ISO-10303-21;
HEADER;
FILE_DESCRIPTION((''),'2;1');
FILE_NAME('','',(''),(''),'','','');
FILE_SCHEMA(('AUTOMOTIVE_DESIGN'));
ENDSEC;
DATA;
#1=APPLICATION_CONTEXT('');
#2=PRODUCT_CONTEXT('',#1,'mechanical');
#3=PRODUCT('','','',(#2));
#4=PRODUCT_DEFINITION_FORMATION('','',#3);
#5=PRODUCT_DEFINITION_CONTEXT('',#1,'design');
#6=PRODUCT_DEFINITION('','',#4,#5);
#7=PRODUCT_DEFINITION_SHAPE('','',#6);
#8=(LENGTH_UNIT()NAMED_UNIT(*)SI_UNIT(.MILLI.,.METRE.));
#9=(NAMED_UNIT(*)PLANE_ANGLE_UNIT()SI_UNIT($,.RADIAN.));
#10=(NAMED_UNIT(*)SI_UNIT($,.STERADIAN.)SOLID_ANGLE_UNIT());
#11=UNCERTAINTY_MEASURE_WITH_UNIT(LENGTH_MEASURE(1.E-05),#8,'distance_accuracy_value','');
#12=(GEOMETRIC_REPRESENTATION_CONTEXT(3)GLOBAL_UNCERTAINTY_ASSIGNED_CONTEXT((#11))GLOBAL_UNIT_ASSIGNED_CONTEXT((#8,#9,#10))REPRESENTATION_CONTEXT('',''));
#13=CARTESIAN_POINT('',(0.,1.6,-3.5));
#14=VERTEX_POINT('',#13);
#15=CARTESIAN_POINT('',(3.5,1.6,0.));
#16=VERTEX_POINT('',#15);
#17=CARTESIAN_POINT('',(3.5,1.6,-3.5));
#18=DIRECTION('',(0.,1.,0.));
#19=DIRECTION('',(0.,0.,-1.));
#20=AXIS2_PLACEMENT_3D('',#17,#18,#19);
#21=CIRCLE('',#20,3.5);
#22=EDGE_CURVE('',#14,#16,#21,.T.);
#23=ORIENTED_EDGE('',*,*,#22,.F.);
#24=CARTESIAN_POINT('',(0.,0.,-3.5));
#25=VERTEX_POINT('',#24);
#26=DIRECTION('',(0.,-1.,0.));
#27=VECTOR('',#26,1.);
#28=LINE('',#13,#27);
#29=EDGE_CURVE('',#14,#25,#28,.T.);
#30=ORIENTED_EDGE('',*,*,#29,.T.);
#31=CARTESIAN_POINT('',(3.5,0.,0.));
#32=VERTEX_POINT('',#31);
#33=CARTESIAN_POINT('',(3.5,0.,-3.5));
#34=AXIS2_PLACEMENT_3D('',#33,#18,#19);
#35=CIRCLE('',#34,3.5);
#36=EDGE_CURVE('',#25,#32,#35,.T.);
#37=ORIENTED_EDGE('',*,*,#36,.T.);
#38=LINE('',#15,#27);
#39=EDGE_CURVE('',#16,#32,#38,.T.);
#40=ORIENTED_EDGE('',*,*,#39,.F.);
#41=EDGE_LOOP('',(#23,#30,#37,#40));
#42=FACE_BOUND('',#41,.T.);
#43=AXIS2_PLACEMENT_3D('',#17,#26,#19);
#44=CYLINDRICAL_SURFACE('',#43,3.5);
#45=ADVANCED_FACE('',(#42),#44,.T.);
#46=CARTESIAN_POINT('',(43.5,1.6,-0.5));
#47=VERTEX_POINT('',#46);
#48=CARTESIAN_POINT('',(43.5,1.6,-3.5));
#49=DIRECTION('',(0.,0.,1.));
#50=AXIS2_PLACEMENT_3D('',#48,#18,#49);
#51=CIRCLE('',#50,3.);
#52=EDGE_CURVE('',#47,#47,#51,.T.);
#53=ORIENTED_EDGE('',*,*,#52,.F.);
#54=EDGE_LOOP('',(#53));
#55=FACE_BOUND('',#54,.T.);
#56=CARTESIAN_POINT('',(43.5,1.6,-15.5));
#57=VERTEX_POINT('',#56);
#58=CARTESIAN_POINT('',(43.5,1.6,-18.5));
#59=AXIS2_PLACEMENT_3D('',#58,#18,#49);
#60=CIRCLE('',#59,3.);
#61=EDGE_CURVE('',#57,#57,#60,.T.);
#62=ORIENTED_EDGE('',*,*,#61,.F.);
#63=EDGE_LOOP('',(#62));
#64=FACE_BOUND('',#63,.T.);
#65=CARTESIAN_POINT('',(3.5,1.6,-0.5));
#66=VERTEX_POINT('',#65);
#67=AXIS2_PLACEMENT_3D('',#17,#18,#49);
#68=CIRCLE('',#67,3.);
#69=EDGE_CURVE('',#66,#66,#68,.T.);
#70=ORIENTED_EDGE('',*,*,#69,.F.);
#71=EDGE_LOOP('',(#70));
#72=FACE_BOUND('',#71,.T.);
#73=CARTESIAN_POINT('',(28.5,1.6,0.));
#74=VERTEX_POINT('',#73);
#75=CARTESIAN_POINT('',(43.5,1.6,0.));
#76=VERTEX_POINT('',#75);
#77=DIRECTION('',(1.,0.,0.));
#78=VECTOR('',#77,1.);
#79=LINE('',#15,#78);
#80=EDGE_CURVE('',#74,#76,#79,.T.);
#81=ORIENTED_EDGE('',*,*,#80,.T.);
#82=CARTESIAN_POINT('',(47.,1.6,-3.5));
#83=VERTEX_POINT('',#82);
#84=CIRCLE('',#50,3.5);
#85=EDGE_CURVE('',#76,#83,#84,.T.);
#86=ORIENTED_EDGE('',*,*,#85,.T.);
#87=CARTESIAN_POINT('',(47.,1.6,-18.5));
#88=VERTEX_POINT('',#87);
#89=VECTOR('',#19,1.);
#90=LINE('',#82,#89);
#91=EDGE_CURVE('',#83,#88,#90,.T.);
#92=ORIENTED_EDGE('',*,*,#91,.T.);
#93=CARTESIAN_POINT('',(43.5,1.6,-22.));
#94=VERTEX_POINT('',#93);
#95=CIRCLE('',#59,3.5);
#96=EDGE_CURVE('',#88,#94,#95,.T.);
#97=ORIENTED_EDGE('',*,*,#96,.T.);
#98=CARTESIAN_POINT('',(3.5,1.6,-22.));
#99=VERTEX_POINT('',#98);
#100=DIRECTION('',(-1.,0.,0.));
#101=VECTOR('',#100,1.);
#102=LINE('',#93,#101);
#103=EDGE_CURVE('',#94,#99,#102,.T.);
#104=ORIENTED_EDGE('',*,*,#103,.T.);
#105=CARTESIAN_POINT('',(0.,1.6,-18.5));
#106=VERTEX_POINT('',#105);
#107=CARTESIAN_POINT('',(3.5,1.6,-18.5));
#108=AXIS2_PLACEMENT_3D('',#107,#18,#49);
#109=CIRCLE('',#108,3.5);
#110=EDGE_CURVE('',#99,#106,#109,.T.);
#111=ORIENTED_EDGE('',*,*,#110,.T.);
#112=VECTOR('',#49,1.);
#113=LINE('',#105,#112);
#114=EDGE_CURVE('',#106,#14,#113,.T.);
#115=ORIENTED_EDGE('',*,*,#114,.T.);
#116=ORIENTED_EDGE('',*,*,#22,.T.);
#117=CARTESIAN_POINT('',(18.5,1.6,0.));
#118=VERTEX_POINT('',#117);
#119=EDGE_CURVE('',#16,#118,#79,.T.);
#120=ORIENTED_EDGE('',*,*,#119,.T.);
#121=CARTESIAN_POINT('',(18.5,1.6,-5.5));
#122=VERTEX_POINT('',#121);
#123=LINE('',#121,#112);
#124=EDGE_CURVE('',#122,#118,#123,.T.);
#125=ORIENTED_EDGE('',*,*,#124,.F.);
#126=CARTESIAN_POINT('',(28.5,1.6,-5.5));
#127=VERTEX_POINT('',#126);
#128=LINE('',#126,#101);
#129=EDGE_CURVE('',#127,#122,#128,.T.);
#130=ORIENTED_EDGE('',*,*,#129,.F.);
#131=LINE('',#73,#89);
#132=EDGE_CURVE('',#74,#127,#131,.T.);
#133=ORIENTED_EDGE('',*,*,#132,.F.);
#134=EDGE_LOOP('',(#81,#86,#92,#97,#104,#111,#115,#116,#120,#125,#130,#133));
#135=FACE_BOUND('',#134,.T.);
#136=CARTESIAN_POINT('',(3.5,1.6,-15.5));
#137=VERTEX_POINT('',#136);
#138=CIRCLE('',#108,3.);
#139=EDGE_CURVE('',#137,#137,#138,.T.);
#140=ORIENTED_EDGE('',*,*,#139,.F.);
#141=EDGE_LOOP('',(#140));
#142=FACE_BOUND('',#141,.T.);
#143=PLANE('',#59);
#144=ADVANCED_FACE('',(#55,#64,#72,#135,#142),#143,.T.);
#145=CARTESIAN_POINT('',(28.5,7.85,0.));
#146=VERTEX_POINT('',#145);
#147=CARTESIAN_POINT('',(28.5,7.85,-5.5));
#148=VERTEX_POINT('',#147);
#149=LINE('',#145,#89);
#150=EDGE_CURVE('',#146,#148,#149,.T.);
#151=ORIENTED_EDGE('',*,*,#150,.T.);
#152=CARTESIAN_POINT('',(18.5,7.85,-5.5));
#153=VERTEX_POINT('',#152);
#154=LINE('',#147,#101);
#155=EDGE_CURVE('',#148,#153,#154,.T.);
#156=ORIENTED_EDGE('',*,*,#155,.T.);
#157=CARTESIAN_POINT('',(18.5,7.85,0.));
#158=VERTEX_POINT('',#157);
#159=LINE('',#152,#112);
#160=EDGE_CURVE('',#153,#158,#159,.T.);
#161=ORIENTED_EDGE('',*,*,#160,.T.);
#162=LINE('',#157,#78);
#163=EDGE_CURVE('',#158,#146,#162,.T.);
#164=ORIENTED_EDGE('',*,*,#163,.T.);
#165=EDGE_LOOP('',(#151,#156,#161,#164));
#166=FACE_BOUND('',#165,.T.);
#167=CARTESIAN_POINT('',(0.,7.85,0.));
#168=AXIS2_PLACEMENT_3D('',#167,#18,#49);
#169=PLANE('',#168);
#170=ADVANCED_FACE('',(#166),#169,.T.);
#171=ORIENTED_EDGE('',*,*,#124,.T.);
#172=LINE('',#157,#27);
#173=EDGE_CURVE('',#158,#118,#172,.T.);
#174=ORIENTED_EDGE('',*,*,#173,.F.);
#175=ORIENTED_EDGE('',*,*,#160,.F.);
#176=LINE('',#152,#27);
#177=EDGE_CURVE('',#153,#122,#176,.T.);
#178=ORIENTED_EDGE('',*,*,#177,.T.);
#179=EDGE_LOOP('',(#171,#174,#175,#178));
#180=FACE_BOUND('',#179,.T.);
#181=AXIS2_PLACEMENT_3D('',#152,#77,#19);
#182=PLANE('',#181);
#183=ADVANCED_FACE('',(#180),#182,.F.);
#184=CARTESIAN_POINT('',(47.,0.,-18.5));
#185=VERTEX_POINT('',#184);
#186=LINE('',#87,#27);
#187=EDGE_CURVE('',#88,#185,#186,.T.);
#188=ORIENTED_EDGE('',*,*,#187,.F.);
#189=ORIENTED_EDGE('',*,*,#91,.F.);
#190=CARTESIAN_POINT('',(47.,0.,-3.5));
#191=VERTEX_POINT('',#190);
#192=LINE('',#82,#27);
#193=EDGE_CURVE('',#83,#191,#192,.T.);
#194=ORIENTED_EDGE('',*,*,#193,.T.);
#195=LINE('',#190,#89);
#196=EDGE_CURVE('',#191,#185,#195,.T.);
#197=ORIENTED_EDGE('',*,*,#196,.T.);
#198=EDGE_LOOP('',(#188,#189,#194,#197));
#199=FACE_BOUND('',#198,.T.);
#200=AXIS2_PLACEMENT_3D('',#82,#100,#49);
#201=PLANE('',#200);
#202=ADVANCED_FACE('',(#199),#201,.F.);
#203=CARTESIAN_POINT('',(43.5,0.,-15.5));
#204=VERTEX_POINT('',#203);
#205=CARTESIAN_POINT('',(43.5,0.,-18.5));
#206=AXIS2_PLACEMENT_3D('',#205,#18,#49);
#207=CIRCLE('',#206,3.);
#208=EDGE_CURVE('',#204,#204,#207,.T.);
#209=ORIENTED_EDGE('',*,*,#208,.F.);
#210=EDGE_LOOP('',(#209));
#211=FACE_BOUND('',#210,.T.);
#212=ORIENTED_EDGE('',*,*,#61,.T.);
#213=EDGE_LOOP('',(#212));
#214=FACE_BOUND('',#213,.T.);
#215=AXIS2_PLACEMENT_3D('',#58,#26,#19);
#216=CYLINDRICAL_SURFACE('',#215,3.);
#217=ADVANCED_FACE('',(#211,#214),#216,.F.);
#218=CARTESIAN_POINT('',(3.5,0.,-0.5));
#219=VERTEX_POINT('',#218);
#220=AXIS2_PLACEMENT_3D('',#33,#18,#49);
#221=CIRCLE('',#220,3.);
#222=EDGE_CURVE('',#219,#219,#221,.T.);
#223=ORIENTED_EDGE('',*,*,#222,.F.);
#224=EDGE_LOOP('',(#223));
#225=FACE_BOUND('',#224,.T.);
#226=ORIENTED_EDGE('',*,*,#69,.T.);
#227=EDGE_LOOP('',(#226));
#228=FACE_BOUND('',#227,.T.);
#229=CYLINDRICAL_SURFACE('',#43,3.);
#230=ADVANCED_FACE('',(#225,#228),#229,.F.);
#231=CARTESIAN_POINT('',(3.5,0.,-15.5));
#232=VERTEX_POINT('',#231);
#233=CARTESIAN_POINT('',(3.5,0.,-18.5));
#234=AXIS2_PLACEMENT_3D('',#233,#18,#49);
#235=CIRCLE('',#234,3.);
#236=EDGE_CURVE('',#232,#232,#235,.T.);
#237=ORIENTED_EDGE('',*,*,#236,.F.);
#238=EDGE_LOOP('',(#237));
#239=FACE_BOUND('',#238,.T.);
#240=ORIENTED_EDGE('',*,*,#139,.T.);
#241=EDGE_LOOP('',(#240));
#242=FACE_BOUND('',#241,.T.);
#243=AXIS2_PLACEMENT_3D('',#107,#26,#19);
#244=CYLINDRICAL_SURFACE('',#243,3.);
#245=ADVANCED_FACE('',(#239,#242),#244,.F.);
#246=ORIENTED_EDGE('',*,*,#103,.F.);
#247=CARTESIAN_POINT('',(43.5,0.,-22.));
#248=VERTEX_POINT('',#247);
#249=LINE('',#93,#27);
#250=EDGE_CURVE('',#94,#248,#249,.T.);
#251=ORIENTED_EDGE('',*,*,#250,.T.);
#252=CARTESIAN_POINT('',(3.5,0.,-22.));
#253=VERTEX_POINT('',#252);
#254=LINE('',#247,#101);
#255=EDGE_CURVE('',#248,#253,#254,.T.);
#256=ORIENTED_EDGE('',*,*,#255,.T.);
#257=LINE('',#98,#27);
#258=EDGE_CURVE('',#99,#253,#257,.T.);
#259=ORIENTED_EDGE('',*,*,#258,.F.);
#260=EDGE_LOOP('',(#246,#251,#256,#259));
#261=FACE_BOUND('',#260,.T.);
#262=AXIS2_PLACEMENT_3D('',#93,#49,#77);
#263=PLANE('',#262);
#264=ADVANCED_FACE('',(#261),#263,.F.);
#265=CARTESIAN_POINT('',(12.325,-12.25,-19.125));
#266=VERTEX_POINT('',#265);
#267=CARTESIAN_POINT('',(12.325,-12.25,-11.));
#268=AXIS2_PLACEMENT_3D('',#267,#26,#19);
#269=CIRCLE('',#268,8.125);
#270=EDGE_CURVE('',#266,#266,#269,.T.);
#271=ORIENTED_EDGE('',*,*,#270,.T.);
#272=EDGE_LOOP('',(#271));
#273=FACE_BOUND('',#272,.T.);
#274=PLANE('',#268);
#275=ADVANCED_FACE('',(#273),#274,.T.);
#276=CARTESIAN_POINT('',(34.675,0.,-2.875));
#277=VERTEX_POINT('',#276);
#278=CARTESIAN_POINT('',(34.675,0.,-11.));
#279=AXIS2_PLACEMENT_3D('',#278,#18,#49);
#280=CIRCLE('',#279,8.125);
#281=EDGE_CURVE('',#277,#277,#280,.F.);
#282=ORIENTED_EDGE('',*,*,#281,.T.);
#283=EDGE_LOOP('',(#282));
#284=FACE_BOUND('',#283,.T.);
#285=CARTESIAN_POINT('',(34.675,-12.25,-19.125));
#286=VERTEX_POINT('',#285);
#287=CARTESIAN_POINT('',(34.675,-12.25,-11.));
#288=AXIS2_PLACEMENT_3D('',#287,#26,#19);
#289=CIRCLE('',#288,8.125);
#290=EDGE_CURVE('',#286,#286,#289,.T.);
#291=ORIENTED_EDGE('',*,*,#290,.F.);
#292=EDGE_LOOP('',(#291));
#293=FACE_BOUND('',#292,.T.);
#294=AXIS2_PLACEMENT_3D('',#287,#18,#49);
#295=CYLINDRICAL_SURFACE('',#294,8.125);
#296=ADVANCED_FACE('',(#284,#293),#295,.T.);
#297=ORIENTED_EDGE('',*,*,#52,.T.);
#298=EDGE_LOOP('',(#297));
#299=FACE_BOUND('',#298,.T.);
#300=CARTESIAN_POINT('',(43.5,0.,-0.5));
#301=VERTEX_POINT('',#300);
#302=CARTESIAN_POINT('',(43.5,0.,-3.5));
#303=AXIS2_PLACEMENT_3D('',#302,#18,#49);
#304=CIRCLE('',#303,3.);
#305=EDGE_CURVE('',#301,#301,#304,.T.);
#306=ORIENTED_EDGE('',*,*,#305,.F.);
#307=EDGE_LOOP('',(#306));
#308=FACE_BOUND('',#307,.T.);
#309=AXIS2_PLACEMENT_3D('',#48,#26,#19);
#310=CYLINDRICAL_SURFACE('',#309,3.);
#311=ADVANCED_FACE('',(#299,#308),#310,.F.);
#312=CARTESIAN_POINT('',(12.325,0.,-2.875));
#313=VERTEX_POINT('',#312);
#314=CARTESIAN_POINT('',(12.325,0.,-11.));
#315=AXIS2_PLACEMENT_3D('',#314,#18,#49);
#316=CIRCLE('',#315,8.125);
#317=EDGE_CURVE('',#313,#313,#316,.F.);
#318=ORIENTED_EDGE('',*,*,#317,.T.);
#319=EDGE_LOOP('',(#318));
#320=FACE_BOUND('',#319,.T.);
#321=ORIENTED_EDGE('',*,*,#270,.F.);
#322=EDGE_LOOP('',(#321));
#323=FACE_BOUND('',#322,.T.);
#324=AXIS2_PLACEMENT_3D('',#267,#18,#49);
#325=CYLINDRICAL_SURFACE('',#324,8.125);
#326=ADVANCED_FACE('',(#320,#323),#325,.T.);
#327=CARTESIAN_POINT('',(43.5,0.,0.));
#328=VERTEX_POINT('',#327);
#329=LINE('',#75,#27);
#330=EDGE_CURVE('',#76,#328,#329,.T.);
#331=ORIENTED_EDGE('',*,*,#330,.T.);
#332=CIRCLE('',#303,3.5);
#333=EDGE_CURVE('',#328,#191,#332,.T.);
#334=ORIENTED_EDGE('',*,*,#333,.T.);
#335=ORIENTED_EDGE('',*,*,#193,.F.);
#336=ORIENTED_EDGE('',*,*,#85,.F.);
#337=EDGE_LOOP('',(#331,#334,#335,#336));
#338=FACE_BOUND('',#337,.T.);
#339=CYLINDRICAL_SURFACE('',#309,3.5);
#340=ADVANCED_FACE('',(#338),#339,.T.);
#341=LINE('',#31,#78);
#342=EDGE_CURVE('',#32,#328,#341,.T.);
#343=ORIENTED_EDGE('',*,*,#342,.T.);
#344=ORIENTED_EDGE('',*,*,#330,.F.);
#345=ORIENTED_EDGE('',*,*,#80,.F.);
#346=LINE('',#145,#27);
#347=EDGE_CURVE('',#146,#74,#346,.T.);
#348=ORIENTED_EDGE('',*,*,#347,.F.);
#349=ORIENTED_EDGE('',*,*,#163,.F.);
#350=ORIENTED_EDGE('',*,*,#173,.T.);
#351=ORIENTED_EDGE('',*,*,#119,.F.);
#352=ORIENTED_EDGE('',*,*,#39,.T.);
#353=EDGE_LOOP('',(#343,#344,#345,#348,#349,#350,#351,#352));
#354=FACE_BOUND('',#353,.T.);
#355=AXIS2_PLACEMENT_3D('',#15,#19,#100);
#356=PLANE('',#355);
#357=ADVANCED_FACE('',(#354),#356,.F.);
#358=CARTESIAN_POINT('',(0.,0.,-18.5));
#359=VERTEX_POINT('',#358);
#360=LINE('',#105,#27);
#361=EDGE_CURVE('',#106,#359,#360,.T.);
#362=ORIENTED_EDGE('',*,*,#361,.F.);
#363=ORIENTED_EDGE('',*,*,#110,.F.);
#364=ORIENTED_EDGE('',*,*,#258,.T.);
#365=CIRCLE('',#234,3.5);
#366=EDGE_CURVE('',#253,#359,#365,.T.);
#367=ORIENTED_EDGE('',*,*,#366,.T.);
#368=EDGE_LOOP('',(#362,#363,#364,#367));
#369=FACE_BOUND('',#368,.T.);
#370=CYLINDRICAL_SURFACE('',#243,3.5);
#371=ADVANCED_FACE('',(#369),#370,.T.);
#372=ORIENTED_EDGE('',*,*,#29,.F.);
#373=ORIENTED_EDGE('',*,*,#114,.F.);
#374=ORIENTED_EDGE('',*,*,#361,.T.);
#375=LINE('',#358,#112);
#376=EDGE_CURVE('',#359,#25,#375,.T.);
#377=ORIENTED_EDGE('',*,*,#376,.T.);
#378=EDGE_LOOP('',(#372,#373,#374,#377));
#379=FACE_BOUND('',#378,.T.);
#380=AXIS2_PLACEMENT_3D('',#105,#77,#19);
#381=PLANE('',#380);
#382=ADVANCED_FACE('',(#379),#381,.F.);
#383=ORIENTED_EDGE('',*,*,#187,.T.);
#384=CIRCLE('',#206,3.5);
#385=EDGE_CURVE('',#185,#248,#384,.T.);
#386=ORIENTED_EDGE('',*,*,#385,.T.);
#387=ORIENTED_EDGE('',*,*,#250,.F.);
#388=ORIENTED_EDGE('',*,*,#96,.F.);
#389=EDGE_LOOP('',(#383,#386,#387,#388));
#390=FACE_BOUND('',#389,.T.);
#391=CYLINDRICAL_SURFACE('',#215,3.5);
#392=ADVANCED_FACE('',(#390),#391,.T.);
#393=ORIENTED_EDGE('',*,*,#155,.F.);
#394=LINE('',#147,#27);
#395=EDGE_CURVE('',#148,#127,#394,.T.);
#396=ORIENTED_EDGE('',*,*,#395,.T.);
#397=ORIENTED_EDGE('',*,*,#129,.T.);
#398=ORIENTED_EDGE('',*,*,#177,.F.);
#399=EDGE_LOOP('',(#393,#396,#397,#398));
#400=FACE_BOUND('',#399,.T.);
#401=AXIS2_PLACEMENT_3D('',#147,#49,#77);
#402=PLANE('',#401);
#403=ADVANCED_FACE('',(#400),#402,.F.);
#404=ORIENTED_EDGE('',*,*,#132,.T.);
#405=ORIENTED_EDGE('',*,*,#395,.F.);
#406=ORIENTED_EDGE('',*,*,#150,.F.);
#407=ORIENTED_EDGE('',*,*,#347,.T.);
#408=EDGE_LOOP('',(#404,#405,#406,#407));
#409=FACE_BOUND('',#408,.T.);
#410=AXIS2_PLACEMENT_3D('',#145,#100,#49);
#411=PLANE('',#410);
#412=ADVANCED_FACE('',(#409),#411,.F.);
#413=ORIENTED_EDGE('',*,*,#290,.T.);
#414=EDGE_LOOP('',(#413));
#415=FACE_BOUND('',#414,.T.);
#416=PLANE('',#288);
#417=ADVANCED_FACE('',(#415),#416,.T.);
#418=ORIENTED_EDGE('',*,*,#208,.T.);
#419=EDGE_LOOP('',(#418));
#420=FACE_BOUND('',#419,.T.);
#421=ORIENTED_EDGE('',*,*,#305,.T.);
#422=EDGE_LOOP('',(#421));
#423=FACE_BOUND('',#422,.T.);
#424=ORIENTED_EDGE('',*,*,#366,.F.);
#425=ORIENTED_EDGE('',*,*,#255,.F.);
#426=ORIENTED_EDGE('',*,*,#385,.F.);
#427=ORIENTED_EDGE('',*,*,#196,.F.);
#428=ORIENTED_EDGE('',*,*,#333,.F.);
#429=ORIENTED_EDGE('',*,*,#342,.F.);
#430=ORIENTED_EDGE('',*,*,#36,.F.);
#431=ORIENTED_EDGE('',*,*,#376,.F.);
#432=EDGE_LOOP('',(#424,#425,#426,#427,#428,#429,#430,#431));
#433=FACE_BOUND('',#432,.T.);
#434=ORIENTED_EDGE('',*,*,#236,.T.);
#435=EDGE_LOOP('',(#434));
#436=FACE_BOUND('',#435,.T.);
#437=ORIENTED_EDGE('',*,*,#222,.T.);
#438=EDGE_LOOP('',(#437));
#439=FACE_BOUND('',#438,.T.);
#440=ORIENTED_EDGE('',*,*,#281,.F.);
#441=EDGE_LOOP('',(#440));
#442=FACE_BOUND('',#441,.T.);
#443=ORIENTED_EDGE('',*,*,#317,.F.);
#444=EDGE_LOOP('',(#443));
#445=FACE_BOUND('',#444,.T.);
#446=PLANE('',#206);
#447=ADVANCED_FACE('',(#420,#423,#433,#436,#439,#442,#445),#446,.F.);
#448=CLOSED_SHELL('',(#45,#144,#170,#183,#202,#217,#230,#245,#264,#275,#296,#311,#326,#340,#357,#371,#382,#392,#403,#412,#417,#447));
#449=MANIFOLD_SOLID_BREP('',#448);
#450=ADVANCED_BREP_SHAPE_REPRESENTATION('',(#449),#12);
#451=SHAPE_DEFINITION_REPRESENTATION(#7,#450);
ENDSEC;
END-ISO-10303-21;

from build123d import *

# Parameters (mm, degrees)
SKETCH1_R           = 3
BOSS_EXTRUDE1_DEPTH = 1.6
SKETCH2_W           = 10
SKETCH2_H           = 5.5
BOSS_EXTRUDE2_DEPTH = 6.25
SKETCH3_R           = 8.125
BOSS_EXTRUDE3_DEPTH = 12.25


with BuildPart() as part:
    # Sketch1 → Boss-Extrude1 (new body)
    with BuildSketch(Plane(origin=(0, 0, 0), x_dir=(1, 0, 0), z_dir=(0, 1, 0))):
        with BuildLine():
            Line((3.5, 0), (43.5, 0))
            ThreePointArc((43.5, 0), (45.974873734, 1.025126266), (47, 3.5))
            Line((47, 3.5), (47, 18.5))
            ThreePointArc((47, 18.5), (45.974873734, 20.974873734), (43.5, 22))
            Line((43.5, 22), (3.5, 22))
            ThreePointArc((3.5, 22), (1.025126266, 20.974873734), (0, 18.5))
            Line((0, 18.5), (0, 3.5))
            ThreePointArc((0, 3.5), (1.025126266, 1.025126266), (3.5, 0))
        make_face()
        with Locations(Location((3.5, 18.5, 0), (0, 0, 270))):
            Circle(SKETCH1_R, mode=Mode.SUBTRACT)
        with Locations(Location((3.5, 3.5, 0), (0, 0, 270))):
            Circle(SKETCH1_R, mode=Mode.SUBTRACT)
        with Locations(Location((43.5, 3.5, 0), (0, 0, 270))):
            Circle(SKETCH1_R, mode=Mode.SUBTRACT)
        with Locations(Location((43.5, 18.5, 0), (0, 0, 270))):
            Circle(SKETCH1_R, mode=Mode.SUBTRACT)
    extrude(amount=BOSS_EXTRUDE1_DEPTH)

    # Sketch2 → Boss-Extrude2 (add)
    with BuildSketch(Plane(origin=(0, 1.6, 0), x_dir=(1, 0, 0), z_dir=(0, 1, 0))):
        with Locations((23.5, 2.75)):
            Rectangle(SKETCH2_W, SKETCH2_H)
    extrude(amount=BOSS_EXTRUDE2_DEPTH)

    # Sketch3 → Boss-Extrude3 (add)
    with BuildSketch(Plane(origin=(0, 0, 0), x_dir=(-1, 0, 0), z_dir=(0, -1, 0))):
        with Locations(Location((-12.325, 11, 0), (0, 0, 270))):
            Circle(SKETCH3_R)
        with Locations(Location((-34.675, 11, 0), (0, 0, 270))):
            Circle(SKETCH3_R)
    extrude(amount=BOSS_EXTRUDE3_DEPTH)


solid = part.part
